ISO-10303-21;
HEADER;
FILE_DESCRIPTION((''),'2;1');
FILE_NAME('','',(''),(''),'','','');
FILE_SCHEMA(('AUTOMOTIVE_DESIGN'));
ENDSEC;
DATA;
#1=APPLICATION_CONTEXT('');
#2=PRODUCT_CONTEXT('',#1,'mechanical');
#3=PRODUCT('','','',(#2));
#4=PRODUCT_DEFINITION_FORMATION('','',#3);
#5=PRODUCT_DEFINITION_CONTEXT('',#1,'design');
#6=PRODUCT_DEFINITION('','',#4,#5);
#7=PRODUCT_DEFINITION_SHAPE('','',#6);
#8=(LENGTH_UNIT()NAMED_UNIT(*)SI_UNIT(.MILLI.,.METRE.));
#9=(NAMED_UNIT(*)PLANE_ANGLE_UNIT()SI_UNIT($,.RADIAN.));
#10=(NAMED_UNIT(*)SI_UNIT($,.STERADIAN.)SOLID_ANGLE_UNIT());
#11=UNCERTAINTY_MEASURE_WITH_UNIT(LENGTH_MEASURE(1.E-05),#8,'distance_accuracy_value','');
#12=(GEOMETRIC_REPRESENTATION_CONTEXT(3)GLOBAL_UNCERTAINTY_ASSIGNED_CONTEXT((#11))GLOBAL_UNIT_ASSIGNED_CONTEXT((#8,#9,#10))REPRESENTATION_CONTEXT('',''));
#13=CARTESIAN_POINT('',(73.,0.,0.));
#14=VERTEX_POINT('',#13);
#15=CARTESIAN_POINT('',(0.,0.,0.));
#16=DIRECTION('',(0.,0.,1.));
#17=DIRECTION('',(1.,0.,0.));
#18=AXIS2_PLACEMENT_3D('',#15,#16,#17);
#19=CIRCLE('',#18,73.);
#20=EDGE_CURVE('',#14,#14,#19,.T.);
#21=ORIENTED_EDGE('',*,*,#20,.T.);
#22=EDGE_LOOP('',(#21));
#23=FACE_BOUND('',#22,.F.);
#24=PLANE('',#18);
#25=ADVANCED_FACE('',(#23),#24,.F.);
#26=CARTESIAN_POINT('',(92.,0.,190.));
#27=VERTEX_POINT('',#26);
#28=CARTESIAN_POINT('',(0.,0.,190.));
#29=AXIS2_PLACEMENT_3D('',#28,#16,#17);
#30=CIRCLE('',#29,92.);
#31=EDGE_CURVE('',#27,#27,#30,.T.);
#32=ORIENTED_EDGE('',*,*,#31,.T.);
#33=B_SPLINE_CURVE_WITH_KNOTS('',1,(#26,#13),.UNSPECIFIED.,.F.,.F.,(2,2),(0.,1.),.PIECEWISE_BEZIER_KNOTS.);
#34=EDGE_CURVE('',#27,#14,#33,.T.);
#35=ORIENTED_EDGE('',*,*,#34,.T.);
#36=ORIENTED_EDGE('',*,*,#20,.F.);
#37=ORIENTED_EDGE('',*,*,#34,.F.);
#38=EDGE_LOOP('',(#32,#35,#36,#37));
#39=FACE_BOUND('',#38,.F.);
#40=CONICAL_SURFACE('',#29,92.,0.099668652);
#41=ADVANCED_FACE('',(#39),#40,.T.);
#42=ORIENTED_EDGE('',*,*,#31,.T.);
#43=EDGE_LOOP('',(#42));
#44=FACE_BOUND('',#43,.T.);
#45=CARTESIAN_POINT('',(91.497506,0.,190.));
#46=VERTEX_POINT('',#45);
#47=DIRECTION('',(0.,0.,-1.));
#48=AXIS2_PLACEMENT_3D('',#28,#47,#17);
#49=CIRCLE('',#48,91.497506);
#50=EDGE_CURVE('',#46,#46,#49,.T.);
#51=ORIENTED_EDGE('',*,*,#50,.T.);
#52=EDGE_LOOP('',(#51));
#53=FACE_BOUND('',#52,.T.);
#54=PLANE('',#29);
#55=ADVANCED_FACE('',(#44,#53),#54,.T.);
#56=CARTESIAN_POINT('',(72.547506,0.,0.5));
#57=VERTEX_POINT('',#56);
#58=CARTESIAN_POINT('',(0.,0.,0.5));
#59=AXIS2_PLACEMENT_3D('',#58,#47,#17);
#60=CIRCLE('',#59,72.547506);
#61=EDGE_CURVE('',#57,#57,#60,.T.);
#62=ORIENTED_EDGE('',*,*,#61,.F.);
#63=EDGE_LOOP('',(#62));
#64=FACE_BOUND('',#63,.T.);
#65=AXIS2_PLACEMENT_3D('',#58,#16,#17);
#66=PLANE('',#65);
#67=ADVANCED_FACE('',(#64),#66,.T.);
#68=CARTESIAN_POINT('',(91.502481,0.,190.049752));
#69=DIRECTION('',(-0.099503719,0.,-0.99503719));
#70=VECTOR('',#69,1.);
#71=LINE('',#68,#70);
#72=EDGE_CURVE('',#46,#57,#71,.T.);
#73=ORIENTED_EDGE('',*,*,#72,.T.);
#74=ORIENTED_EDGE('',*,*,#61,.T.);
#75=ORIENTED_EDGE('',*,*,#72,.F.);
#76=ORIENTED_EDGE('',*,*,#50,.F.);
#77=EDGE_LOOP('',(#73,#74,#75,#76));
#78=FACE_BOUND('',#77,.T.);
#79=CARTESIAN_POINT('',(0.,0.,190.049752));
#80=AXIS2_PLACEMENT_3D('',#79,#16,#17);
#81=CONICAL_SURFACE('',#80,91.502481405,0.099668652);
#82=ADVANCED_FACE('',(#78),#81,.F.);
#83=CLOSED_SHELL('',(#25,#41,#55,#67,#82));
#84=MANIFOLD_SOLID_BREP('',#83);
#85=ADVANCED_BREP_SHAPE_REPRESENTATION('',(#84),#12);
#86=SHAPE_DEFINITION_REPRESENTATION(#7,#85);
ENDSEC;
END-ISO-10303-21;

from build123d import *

# Parameters (mm, degrees)
F2_R = 92
F0_R = 73
F4_T = -0.5


with BuildPart() as f3:
    # F2 (on offset) → F3 section 0
    with BuildSketch(Plane.XY.offset(190)):
        Circle(F2_R)
    # F0 (on Top) → F3 section 1
    with BuildSketch(Plane.XY):
        Circle(F0_R)
    loft()

    # F4
    f4_openings = [f3.faces().sort_by_distance(p)[0] for p in [
        (0, 0, 190),
    ]]
    offset(amount=F4_T, openings=f4_openings, kind=Kind.INTERSECTION)


solid = f3.part
